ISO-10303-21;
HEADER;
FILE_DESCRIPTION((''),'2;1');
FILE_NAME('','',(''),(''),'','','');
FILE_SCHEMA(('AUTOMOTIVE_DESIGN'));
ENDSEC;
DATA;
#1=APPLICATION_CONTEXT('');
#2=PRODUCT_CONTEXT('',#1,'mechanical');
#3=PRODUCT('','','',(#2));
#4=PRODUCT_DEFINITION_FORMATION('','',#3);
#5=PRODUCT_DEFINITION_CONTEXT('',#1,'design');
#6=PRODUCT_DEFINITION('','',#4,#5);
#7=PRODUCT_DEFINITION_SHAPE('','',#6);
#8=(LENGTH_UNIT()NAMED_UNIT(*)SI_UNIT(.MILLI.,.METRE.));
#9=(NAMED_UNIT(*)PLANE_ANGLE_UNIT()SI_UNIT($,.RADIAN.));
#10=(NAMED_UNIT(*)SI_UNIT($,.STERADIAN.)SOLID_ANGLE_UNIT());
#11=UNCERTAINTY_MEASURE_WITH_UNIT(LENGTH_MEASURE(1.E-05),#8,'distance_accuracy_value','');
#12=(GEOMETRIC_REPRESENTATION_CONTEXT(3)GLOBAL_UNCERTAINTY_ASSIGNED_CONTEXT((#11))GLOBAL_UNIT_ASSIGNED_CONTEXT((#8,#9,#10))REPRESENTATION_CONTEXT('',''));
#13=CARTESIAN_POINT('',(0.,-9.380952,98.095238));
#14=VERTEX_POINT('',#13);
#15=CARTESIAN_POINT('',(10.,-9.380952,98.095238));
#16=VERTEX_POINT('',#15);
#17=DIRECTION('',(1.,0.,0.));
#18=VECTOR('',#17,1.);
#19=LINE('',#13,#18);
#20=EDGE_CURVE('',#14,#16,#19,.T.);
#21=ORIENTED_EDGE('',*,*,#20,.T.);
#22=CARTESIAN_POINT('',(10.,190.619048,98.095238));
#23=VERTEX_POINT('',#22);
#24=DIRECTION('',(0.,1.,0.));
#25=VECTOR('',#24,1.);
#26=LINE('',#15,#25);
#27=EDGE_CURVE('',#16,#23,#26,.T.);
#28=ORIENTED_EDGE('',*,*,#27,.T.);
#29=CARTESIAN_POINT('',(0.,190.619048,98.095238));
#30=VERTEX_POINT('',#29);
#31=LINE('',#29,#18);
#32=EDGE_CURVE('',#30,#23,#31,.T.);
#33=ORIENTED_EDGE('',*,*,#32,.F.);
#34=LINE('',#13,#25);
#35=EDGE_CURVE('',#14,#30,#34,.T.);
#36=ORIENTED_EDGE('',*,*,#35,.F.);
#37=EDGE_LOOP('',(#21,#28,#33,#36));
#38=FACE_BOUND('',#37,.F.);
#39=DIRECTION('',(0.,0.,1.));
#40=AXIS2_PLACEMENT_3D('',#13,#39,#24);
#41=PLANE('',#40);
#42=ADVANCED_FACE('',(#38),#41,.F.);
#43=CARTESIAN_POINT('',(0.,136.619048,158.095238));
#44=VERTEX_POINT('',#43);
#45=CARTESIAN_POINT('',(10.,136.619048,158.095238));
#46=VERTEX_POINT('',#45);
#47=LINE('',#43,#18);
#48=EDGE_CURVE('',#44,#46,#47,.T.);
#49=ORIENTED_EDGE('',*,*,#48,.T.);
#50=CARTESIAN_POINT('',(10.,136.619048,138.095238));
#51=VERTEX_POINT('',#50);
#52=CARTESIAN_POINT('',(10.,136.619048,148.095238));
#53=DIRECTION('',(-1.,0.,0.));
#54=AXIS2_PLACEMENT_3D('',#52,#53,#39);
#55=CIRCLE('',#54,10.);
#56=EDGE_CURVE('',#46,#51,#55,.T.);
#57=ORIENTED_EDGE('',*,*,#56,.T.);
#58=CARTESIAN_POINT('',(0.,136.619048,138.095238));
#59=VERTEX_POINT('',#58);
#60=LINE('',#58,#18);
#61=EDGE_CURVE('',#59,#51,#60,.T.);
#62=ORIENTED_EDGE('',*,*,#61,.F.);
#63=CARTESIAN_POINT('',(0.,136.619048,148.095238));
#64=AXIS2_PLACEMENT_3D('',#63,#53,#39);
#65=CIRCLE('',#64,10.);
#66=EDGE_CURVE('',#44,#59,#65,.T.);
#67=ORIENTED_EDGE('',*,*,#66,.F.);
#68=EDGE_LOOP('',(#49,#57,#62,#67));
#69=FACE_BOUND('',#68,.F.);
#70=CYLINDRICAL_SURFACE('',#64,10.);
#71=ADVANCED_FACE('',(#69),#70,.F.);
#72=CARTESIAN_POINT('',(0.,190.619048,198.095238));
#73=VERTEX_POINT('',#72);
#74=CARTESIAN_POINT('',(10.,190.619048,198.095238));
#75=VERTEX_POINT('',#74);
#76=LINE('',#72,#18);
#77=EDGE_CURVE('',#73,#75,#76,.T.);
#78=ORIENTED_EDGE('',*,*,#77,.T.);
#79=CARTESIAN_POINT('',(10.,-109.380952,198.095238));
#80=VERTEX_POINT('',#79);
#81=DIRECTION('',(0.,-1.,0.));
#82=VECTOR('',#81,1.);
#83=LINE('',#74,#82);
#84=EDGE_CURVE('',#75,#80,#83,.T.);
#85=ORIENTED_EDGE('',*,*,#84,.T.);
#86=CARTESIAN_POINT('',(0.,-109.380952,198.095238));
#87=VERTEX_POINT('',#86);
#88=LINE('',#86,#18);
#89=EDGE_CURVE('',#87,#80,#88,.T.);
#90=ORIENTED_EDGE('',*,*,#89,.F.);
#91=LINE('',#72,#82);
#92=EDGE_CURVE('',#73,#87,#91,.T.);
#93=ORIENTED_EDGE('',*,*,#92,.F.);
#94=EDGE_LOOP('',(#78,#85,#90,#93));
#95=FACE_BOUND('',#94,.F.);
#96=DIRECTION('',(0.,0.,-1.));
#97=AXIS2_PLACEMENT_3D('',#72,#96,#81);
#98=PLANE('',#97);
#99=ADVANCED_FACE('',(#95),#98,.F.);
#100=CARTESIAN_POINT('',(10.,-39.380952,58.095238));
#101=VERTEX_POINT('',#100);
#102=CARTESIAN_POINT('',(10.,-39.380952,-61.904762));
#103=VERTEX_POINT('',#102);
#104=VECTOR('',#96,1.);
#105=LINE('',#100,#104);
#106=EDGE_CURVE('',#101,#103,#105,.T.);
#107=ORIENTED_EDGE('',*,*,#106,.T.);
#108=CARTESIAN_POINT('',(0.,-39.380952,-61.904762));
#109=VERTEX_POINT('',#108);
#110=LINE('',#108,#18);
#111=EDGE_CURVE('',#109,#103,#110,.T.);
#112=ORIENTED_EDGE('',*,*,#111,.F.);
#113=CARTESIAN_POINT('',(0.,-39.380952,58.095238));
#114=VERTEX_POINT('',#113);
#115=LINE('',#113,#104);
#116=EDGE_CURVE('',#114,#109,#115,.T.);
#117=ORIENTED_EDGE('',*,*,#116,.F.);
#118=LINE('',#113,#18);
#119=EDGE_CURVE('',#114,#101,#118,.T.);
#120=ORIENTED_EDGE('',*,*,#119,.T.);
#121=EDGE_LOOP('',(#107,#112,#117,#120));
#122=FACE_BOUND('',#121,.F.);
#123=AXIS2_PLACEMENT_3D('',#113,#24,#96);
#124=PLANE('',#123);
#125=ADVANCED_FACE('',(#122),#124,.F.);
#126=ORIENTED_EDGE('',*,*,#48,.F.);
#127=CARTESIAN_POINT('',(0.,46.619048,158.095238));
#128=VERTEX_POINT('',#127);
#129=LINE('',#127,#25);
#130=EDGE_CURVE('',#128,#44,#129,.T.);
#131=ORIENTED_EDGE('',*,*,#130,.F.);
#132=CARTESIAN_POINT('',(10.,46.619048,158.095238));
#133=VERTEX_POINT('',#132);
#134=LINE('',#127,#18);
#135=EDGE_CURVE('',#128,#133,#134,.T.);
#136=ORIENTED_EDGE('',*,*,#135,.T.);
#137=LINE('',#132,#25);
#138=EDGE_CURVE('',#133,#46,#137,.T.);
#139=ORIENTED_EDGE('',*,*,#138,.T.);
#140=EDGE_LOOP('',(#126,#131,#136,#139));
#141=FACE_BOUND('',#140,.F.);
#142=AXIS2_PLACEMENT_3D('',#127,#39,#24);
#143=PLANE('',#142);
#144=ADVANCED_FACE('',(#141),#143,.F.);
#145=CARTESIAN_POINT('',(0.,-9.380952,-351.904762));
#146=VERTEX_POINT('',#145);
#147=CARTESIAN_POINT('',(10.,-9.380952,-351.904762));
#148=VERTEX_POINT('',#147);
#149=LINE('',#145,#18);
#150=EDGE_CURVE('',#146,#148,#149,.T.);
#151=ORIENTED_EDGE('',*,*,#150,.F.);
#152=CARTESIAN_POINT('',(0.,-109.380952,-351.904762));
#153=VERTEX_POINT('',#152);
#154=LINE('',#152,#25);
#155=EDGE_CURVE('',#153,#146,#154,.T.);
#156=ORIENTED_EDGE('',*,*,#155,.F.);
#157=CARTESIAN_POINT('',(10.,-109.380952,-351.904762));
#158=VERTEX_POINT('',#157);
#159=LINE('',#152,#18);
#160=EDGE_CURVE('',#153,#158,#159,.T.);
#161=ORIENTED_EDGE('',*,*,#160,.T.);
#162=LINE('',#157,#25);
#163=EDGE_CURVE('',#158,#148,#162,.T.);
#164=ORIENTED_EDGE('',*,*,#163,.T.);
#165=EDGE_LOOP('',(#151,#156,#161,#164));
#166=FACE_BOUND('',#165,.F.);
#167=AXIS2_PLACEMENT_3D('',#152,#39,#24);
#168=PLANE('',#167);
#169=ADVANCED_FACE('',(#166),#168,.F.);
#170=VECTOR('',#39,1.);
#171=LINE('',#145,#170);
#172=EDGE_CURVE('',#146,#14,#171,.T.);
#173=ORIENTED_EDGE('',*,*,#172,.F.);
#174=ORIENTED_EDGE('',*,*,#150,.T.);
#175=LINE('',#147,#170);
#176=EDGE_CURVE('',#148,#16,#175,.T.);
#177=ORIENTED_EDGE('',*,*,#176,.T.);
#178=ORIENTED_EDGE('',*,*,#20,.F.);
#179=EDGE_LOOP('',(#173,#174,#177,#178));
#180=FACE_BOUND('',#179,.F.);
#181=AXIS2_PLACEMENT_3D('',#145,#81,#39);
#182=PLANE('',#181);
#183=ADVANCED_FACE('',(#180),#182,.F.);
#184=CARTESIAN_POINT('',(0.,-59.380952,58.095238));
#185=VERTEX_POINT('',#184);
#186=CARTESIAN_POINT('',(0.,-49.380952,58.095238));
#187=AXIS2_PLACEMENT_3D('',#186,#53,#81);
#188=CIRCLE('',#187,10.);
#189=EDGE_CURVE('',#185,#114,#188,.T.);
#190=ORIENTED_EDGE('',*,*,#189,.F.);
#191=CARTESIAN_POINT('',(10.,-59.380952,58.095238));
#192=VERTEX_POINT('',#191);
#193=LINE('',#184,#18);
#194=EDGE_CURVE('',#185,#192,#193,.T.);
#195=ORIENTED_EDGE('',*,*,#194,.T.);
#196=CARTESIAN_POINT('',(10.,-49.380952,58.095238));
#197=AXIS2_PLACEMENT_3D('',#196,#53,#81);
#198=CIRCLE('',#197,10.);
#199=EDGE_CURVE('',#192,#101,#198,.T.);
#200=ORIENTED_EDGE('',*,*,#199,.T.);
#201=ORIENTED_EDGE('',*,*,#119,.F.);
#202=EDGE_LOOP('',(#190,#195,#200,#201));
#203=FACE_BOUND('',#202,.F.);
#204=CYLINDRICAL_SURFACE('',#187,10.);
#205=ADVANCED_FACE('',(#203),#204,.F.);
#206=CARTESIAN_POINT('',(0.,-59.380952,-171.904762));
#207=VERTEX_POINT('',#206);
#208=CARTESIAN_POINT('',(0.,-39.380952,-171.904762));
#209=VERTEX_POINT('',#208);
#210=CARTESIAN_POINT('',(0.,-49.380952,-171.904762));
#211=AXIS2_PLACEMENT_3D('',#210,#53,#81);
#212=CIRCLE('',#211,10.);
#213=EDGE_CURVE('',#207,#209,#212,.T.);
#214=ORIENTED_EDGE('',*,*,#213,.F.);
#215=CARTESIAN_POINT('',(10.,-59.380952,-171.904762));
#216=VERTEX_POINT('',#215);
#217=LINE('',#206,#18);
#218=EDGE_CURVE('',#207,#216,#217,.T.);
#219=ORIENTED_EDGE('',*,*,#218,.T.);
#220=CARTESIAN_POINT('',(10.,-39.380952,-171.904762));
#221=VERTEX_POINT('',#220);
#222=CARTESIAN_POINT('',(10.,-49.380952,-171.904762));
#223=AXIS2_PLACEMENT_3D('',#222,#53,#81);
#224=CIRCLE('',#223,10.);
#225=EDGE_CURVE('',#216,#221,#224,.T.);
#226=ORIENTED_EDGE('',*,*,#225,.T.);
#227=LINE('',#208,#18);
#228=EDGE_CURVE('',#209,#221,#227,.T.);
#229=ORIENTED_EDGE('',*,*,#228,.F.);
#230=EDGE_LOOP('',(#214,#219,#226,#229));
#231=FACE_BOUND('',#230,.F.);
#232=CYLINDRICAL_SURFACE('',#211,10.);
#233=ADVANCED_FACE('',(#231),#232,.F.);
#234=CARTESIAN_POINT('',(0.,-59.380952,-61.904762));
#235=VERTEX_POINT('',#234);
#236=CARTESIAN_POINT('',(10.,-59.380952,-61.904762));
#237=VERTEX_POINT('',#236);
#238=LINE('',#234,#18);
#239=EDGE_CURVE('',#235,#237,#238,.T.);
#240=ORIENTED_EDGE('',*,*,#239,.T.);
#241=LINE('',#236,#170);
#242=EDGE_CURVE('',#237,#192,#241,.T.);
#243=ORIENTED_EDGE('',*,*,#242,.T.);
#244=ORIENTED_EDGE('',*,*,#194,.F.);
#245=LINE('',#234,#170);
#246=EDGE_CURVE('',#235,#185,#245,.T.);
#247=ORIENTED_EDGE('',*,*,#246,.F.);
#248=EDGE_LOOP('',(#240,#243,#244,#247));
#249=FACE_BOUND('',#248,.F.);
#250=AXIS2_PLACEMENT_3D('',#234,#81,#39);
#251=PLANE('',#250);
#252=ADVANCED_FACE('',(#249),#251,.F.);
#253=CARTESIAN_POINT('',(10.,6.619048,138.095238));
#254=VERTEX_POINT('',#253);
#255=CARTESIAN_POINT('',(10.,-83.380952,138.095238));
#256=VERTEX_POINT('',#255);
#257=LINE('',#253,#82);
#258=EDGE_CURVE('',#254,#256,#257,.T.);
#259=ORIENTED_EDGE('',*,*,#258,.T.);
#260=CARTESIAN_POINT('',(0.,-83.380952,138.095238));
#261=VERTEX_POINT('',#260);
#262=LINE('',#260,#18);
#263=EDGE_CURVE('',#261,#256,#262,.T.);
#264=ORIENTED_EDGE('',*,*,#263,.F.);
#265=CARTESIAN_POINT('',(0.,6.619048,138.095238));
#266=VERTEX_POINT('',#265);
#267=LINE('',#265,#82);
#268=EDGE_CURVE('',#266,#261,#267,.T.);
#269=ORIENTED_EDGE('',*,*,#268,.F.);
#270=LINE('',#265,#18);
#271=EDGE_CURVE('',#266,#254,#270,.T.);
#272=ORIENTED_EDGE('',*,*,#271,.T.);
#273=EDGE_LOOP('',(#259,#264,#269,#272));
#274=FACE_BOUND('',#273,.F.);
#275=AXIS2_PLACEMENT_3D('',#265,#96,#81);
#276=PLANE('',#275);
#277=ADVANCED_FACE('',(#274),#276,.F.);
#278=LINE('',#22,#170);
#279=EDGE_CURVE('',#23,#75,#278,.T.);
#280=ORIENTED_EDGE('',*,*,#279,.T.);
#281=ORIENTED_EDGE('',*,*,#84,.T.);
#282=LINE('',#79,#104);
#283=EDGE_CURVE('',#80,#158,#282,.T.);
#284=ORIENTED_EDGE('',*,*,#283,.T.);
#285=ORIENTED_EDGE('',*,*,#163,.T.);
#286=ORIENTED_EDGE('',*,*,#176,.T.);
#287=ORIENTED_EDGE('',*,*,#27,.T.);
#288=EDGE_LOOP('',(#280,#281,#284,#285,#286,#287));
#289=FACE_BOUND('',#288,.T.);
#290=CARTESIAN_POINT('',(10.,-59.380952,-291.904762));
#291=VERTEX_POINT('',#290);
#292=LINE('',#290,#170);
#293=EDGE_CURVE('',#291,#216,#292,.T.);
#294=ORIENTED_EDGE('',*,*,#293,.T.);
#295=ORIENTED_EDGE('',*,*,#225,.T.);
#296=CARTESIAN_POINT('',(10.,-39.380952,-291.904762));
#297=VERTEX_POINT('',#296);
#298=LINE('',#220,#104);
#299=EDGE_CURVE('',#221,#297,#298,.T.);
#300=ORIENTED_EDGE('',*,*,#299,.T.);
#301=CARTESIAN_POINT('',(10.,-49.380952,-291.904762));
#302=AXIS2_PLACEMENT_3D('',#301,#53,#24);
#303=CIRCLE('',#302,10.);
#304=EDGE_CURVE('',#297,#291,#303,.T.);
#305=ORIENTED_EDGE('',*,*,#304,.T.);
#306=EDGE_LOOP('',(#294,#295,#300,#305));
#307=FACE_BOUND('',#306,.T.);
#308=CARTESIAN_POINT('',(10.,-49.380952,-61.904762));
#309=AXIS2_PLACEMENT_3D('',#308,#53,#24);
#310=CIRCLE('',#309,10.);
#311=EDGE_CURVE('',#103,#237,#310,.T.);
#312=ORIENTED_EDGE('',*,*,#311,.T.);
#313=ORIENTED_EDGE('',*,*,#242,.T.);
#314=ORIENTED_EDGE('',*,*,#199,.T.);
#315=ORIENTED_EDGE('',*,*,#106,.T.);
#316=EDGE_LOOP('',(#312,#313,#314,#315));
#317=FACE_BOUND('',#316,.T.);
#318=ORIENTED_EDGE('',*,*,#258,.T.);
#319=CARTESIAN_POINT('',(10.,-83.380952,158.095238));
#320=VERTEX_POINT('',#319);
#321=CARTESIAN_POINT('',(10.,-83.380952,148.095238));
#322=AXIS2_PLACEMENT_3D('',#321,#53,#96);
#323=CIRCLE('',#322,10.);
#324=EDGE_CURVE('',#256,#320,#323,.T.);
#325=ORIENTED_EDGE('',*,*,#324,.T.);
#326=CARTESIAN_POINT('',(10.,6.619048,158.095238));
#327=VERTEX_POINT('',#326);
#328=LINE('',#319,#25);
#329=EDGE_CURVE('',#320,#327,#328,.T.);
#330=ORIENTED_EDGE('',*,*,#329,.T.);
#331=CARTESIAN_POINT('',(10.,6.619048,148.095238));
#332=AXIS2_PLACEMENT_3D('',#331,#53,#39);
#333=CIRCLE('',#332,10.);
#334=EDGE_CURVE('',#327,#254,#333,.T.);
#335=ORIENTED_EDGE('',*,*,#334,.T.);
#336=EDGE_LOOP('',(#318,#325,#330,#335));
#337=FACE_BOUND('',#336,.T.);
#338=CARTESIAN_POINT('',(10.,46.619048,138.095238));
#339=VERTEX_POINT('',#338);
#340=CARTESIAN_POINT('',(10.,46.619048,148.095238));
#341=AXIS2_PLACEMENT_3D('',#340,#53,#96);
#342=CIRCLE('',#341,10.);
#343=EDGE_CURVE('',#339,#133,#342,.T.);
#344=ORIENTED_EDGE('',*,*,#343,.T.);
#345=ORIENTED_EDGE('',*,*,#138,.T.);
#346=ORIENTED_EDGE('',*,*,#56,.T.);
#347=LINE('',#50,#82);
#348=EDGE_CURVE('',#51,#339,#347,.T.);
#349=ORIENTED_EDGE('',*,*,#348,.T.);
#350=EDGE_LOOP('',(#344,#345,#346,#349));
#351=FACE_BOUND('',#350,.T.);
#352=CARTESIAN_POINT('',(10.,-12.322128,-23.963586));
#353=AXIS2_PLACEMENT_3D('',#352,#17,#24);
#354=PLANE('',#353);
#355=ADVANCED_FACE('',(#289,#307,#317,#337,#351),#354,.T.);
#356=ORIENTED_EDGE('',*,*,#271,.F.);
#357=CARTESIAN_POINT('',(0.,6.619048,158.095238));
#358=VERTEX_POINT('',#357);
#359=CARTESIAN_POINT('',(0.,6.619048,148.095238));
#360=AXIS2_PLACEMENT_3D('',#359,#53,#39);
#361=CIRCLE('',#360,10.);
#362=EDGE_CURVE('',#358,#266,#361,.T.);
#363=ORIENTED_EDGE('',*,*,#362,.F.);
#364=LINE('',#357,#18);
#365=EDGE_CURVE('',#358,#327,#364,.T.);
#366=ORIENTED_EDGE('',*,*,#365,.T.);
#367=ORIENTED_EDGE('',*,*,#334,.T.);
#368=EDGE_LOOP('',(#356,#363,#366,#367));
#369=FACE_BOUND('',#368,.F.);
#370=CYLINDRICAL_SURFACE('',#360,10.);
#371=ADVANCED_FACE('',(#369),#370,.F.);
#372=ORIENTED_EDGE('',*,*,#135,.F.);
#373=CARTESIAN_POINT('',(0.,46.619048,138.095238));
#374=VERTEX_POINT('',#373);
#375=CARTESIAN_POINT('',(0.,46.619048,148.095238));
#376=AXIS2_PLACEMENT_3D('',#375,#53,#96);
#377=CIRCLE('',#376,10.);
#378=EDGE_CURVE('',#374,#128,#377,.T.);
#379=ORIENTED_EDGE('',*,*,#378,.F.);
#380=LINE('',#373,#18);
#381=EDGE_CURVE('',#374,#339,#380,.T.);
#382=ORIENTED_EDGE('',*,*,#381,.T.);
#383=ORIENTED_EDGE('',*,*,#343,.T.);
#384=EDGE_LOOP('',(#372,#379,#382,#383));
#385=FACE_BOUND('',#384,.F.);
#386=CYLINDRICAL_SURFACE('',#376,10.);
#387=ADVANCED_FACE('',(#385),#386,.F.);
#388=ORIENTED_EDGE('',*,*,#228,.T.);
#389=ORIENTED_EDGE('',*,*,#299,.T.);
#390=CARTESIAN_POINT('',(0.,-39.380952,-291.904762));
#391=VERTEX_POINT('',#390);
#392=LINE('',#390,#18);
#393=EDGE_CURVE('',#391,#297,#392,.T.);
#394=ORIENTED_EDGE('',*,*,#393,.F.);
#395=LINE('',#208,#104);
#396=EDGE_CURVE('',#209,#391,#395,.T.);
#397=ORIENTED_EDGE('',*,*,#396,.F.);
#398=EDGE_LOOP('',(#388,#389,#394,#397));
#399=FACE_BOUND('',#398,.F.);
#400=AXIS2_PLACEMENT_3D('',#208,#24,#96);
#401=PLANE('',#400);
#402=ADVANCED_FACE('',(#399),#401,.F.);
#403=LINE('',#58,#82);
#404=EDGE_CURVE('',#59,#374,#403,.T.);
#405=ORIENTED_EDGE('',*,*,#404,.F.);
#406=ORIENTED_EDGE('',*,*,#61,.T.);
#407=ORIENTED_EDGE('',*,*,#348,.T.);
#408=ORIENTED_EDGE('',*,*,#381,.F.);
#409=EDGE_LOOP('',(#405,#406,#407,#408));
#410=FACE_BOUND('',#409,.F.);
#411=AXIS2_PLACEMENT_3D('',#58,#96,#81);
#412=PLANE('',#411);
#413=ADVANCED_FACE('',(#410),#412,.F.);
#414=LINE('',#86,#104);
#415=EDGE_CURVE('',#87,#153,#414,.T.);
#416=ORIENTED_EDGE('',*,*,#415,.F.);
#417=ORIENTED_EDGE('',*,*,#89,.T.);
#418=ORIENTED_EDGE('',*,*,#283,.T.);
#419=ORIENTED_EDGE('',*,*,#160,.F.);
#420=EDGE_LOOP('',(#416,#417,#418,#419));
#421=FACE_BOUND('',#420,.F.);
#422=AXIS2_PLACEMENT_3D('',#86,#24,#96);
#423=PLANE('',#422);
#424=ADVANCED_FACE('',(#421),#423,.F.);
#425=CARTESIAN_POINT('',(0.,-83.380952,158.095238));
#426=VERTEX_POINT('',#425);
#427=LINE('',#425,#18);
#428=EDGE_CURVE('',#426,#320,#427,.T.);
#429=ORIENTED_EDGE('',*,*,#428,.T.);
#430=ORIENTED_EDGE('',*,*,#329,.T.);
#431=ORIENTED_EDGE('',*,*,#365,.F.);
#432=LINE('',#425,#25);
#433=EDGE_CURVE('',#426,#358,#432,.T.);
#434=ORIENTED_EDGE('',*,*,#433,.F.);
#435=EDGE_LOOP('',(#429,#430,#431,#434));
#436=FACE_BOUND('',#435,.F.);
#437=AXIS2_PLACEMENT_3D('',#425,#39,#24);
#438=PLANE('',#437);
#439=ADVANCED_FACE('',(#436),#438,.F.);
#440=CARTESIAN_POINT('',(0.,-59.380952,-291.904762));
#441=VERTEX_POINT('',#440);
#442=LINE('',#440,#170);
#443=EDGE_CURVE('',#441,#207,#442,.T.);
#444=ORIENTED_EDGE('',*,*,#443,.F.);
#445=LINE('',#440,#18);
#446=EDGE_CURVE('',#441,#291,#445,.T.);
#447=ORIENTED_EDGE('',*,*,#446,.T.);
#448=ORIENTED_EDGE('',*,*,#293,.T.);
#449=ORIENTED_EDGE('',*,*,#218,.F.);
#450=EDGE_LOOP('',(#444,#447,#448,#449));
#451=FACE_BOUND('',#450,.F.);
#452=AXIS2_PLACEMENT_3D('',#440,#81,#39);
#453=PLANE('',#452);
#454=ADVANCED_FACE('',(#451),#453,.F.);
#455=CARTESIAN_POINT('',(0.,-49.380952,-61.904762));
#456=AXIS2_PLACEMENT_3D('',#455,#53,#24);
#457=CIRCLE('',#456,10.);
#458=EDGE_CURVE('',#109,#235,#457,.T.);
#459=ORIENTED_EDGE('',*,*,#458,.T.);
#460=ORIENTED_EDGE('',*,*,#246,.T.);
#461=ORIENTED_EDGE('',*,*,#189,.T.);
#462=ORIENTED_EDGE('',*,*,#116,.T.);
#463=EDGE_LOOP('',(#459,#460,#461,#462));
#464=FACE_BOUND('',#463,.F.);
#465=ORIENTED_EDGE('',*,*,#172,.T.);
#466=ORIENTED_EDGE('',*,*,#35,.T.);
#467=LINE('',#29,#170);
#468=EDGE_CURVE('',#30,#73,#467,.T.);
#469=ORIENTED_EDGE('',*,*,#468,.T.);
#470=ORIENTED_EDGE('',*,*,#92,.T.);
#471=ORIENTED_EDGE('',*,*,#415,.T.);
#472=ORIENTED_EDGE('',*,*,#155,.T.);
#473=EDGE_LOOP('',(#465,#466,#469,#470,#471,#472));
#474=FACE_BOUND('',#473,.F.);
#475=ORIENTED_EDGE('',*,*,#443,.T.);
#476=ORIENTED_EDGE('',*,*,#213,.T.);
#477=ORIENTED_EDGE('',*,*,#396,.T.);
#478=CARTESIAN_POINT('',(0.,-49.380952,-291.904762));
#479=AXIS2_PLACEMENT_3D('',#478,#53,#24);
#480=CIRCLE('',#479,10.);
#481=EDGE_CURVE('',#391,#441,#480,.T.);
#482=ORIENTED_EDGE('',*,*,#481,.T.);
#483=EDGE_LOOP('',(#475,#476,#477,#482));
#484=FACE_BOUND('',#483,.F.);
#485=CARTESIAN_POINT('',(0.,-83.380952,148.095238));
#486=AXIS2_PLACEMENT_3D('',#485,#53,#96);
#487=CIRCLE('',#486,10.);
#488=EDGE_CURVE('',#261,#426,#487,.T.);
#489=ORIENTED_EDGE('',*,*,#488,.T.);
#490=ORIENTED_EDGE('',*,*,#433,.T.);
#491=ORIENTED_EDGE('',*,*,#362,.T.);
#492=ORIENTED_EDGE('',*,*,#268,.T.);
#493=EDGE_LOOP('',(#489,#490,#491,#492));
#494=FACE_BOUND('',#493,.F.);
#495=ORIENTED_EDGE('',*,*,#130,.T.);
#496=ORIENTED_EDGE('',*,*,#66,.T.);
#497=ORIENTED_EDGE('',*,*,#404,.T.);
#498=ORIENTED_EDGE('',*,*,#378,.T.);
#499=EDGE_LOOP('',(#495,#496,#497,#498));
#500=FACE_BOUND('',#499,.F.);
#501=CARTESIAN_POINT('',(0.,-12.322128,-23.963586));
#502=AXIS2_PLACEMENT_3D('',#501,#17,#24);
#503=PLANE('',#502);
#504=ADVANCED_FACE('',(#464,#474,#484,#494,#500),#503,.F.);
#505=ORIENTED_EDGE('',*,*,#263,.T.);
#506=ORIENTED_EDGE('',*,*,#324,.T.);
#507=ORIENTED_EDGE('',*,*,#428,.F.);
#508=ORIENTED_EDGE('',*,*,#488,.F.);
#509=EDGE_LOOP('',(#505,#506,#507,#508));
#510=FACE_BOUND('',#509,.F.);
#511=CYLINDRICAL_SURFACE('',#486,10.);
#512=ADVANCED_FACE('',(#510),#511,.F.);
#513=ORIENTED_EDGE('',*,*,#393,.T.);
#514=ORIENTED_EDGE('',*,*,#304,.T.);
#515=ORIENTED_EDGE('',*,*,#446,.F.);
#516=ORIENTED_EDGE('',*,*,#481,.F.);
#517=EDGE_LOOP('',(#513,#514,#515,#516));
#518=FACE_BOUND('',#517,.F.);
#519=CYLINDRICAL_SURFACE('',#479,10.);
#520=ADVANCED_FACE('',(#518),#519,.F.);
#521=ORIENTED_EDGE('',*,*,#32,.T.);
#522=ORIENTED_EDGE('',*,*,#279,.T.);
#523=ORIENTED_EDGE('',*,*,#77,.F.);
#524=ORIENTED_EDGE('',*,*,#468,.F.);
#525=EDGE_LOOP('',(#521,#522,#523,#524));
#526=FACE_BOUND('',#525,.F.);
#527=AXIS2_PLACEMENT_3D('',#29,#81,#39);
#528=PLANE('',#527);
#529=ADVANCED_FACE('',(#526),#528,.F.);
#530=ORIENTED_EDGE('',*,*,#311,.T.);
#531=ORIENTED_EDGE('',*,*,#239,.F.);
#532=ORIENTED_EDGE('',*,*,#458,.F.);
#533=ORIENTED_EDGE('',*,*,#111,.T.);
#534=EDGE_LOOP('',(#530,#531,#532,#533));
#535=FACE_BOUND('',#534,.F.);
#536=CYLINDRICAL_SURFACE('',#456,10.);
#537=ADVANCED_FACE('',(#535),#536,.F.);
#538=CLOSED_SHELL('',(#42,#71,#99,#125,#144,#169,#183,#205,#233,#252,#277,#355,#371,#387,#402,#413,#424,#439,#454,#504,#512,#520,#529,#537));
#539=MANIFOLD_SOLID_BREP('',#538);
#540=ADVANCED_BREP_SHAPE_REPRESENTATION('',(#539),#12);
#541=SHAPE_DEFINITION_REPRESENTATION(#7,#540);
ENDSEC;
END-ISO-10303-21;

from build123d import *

# Parameters (mm, degrees)
F1_DEPTH = 10


with BuildPart() as f1:
    # F0 (on Right) → F1 (new body)
    with BuildSketch(Plane.YZ):
        Polygon((-109.380952, 198.095238), (-109.380952, -351.904762), (-9.380952, -351.904762), (-9.380952, 98.095238), (190.619048, 98.095238), (190.619048, 198.095238), align=None)
        with BuildLine():
            Line((-59.380952, -291.904762), (-59.380952, -171.904762))
            ThreePointArc((-59.380952, -171.904762), (-49.380952, -161.904762), (-39.380952, -171.904762))
            Line((-39.380952, -171.904762), (-39.380952, -291.904762))
            ThreePointArc((-39.380952, -291.904762), (-49.380952, -301.904762), (-59.380952, -291.904762))
        make_face(mode=Mode.SUBTRACT)
        with BuildLine():
            Line((-39.380952, 58.095238), (-39.380952, -61.904762))
            ThreePointArc((-39.380952, -61.904762), (-49.380952, -71.904762), (-59.380952, -61.904762))
            Line((-59.380952, -61.904762), (-59.380952, 58.095238))
            ThreePointArc((-59.380952, 58.095238), (-49.380952, 68.095238), (-39.380952, 58.095238))
        make_face(mode=Mode.SUBTRACT)
        with BuildLine():
            Line((-83.380952, 158.095238), (6.619048, 158.095238))
            ThreePointArc((6.619048, 158.095238), (16.619048, 148.095238), (6.619048, 138.095238))
            Line((6.619048, 138.095238), (-83.380952, 138.095238))
            ThreePointArc((-83.380952, 138.095238), (-93.380952, 148.095238), (-83.380952, 158.095238))
        make_face(mode=Mode.SUBTRACT)
        with BuildLine():
            Line((136.619048, 138.095238), (46.619048, 138.095238))
            ThreePointArc((46.619048, 138.095238), (36.619048, 148.095238), (46.619048, 158.095238))
            Line((46.619048, 158.095238), (136.619048, 158.095238))
            ThreePointArc((136.619048, 158.095238), (146.619048, 148.095238), (136.619048, 138.095238))
        make_face(mode=Mode.SUBTRACT)
    extrude(amount=F1_DEPTH)


solid = f1.part
